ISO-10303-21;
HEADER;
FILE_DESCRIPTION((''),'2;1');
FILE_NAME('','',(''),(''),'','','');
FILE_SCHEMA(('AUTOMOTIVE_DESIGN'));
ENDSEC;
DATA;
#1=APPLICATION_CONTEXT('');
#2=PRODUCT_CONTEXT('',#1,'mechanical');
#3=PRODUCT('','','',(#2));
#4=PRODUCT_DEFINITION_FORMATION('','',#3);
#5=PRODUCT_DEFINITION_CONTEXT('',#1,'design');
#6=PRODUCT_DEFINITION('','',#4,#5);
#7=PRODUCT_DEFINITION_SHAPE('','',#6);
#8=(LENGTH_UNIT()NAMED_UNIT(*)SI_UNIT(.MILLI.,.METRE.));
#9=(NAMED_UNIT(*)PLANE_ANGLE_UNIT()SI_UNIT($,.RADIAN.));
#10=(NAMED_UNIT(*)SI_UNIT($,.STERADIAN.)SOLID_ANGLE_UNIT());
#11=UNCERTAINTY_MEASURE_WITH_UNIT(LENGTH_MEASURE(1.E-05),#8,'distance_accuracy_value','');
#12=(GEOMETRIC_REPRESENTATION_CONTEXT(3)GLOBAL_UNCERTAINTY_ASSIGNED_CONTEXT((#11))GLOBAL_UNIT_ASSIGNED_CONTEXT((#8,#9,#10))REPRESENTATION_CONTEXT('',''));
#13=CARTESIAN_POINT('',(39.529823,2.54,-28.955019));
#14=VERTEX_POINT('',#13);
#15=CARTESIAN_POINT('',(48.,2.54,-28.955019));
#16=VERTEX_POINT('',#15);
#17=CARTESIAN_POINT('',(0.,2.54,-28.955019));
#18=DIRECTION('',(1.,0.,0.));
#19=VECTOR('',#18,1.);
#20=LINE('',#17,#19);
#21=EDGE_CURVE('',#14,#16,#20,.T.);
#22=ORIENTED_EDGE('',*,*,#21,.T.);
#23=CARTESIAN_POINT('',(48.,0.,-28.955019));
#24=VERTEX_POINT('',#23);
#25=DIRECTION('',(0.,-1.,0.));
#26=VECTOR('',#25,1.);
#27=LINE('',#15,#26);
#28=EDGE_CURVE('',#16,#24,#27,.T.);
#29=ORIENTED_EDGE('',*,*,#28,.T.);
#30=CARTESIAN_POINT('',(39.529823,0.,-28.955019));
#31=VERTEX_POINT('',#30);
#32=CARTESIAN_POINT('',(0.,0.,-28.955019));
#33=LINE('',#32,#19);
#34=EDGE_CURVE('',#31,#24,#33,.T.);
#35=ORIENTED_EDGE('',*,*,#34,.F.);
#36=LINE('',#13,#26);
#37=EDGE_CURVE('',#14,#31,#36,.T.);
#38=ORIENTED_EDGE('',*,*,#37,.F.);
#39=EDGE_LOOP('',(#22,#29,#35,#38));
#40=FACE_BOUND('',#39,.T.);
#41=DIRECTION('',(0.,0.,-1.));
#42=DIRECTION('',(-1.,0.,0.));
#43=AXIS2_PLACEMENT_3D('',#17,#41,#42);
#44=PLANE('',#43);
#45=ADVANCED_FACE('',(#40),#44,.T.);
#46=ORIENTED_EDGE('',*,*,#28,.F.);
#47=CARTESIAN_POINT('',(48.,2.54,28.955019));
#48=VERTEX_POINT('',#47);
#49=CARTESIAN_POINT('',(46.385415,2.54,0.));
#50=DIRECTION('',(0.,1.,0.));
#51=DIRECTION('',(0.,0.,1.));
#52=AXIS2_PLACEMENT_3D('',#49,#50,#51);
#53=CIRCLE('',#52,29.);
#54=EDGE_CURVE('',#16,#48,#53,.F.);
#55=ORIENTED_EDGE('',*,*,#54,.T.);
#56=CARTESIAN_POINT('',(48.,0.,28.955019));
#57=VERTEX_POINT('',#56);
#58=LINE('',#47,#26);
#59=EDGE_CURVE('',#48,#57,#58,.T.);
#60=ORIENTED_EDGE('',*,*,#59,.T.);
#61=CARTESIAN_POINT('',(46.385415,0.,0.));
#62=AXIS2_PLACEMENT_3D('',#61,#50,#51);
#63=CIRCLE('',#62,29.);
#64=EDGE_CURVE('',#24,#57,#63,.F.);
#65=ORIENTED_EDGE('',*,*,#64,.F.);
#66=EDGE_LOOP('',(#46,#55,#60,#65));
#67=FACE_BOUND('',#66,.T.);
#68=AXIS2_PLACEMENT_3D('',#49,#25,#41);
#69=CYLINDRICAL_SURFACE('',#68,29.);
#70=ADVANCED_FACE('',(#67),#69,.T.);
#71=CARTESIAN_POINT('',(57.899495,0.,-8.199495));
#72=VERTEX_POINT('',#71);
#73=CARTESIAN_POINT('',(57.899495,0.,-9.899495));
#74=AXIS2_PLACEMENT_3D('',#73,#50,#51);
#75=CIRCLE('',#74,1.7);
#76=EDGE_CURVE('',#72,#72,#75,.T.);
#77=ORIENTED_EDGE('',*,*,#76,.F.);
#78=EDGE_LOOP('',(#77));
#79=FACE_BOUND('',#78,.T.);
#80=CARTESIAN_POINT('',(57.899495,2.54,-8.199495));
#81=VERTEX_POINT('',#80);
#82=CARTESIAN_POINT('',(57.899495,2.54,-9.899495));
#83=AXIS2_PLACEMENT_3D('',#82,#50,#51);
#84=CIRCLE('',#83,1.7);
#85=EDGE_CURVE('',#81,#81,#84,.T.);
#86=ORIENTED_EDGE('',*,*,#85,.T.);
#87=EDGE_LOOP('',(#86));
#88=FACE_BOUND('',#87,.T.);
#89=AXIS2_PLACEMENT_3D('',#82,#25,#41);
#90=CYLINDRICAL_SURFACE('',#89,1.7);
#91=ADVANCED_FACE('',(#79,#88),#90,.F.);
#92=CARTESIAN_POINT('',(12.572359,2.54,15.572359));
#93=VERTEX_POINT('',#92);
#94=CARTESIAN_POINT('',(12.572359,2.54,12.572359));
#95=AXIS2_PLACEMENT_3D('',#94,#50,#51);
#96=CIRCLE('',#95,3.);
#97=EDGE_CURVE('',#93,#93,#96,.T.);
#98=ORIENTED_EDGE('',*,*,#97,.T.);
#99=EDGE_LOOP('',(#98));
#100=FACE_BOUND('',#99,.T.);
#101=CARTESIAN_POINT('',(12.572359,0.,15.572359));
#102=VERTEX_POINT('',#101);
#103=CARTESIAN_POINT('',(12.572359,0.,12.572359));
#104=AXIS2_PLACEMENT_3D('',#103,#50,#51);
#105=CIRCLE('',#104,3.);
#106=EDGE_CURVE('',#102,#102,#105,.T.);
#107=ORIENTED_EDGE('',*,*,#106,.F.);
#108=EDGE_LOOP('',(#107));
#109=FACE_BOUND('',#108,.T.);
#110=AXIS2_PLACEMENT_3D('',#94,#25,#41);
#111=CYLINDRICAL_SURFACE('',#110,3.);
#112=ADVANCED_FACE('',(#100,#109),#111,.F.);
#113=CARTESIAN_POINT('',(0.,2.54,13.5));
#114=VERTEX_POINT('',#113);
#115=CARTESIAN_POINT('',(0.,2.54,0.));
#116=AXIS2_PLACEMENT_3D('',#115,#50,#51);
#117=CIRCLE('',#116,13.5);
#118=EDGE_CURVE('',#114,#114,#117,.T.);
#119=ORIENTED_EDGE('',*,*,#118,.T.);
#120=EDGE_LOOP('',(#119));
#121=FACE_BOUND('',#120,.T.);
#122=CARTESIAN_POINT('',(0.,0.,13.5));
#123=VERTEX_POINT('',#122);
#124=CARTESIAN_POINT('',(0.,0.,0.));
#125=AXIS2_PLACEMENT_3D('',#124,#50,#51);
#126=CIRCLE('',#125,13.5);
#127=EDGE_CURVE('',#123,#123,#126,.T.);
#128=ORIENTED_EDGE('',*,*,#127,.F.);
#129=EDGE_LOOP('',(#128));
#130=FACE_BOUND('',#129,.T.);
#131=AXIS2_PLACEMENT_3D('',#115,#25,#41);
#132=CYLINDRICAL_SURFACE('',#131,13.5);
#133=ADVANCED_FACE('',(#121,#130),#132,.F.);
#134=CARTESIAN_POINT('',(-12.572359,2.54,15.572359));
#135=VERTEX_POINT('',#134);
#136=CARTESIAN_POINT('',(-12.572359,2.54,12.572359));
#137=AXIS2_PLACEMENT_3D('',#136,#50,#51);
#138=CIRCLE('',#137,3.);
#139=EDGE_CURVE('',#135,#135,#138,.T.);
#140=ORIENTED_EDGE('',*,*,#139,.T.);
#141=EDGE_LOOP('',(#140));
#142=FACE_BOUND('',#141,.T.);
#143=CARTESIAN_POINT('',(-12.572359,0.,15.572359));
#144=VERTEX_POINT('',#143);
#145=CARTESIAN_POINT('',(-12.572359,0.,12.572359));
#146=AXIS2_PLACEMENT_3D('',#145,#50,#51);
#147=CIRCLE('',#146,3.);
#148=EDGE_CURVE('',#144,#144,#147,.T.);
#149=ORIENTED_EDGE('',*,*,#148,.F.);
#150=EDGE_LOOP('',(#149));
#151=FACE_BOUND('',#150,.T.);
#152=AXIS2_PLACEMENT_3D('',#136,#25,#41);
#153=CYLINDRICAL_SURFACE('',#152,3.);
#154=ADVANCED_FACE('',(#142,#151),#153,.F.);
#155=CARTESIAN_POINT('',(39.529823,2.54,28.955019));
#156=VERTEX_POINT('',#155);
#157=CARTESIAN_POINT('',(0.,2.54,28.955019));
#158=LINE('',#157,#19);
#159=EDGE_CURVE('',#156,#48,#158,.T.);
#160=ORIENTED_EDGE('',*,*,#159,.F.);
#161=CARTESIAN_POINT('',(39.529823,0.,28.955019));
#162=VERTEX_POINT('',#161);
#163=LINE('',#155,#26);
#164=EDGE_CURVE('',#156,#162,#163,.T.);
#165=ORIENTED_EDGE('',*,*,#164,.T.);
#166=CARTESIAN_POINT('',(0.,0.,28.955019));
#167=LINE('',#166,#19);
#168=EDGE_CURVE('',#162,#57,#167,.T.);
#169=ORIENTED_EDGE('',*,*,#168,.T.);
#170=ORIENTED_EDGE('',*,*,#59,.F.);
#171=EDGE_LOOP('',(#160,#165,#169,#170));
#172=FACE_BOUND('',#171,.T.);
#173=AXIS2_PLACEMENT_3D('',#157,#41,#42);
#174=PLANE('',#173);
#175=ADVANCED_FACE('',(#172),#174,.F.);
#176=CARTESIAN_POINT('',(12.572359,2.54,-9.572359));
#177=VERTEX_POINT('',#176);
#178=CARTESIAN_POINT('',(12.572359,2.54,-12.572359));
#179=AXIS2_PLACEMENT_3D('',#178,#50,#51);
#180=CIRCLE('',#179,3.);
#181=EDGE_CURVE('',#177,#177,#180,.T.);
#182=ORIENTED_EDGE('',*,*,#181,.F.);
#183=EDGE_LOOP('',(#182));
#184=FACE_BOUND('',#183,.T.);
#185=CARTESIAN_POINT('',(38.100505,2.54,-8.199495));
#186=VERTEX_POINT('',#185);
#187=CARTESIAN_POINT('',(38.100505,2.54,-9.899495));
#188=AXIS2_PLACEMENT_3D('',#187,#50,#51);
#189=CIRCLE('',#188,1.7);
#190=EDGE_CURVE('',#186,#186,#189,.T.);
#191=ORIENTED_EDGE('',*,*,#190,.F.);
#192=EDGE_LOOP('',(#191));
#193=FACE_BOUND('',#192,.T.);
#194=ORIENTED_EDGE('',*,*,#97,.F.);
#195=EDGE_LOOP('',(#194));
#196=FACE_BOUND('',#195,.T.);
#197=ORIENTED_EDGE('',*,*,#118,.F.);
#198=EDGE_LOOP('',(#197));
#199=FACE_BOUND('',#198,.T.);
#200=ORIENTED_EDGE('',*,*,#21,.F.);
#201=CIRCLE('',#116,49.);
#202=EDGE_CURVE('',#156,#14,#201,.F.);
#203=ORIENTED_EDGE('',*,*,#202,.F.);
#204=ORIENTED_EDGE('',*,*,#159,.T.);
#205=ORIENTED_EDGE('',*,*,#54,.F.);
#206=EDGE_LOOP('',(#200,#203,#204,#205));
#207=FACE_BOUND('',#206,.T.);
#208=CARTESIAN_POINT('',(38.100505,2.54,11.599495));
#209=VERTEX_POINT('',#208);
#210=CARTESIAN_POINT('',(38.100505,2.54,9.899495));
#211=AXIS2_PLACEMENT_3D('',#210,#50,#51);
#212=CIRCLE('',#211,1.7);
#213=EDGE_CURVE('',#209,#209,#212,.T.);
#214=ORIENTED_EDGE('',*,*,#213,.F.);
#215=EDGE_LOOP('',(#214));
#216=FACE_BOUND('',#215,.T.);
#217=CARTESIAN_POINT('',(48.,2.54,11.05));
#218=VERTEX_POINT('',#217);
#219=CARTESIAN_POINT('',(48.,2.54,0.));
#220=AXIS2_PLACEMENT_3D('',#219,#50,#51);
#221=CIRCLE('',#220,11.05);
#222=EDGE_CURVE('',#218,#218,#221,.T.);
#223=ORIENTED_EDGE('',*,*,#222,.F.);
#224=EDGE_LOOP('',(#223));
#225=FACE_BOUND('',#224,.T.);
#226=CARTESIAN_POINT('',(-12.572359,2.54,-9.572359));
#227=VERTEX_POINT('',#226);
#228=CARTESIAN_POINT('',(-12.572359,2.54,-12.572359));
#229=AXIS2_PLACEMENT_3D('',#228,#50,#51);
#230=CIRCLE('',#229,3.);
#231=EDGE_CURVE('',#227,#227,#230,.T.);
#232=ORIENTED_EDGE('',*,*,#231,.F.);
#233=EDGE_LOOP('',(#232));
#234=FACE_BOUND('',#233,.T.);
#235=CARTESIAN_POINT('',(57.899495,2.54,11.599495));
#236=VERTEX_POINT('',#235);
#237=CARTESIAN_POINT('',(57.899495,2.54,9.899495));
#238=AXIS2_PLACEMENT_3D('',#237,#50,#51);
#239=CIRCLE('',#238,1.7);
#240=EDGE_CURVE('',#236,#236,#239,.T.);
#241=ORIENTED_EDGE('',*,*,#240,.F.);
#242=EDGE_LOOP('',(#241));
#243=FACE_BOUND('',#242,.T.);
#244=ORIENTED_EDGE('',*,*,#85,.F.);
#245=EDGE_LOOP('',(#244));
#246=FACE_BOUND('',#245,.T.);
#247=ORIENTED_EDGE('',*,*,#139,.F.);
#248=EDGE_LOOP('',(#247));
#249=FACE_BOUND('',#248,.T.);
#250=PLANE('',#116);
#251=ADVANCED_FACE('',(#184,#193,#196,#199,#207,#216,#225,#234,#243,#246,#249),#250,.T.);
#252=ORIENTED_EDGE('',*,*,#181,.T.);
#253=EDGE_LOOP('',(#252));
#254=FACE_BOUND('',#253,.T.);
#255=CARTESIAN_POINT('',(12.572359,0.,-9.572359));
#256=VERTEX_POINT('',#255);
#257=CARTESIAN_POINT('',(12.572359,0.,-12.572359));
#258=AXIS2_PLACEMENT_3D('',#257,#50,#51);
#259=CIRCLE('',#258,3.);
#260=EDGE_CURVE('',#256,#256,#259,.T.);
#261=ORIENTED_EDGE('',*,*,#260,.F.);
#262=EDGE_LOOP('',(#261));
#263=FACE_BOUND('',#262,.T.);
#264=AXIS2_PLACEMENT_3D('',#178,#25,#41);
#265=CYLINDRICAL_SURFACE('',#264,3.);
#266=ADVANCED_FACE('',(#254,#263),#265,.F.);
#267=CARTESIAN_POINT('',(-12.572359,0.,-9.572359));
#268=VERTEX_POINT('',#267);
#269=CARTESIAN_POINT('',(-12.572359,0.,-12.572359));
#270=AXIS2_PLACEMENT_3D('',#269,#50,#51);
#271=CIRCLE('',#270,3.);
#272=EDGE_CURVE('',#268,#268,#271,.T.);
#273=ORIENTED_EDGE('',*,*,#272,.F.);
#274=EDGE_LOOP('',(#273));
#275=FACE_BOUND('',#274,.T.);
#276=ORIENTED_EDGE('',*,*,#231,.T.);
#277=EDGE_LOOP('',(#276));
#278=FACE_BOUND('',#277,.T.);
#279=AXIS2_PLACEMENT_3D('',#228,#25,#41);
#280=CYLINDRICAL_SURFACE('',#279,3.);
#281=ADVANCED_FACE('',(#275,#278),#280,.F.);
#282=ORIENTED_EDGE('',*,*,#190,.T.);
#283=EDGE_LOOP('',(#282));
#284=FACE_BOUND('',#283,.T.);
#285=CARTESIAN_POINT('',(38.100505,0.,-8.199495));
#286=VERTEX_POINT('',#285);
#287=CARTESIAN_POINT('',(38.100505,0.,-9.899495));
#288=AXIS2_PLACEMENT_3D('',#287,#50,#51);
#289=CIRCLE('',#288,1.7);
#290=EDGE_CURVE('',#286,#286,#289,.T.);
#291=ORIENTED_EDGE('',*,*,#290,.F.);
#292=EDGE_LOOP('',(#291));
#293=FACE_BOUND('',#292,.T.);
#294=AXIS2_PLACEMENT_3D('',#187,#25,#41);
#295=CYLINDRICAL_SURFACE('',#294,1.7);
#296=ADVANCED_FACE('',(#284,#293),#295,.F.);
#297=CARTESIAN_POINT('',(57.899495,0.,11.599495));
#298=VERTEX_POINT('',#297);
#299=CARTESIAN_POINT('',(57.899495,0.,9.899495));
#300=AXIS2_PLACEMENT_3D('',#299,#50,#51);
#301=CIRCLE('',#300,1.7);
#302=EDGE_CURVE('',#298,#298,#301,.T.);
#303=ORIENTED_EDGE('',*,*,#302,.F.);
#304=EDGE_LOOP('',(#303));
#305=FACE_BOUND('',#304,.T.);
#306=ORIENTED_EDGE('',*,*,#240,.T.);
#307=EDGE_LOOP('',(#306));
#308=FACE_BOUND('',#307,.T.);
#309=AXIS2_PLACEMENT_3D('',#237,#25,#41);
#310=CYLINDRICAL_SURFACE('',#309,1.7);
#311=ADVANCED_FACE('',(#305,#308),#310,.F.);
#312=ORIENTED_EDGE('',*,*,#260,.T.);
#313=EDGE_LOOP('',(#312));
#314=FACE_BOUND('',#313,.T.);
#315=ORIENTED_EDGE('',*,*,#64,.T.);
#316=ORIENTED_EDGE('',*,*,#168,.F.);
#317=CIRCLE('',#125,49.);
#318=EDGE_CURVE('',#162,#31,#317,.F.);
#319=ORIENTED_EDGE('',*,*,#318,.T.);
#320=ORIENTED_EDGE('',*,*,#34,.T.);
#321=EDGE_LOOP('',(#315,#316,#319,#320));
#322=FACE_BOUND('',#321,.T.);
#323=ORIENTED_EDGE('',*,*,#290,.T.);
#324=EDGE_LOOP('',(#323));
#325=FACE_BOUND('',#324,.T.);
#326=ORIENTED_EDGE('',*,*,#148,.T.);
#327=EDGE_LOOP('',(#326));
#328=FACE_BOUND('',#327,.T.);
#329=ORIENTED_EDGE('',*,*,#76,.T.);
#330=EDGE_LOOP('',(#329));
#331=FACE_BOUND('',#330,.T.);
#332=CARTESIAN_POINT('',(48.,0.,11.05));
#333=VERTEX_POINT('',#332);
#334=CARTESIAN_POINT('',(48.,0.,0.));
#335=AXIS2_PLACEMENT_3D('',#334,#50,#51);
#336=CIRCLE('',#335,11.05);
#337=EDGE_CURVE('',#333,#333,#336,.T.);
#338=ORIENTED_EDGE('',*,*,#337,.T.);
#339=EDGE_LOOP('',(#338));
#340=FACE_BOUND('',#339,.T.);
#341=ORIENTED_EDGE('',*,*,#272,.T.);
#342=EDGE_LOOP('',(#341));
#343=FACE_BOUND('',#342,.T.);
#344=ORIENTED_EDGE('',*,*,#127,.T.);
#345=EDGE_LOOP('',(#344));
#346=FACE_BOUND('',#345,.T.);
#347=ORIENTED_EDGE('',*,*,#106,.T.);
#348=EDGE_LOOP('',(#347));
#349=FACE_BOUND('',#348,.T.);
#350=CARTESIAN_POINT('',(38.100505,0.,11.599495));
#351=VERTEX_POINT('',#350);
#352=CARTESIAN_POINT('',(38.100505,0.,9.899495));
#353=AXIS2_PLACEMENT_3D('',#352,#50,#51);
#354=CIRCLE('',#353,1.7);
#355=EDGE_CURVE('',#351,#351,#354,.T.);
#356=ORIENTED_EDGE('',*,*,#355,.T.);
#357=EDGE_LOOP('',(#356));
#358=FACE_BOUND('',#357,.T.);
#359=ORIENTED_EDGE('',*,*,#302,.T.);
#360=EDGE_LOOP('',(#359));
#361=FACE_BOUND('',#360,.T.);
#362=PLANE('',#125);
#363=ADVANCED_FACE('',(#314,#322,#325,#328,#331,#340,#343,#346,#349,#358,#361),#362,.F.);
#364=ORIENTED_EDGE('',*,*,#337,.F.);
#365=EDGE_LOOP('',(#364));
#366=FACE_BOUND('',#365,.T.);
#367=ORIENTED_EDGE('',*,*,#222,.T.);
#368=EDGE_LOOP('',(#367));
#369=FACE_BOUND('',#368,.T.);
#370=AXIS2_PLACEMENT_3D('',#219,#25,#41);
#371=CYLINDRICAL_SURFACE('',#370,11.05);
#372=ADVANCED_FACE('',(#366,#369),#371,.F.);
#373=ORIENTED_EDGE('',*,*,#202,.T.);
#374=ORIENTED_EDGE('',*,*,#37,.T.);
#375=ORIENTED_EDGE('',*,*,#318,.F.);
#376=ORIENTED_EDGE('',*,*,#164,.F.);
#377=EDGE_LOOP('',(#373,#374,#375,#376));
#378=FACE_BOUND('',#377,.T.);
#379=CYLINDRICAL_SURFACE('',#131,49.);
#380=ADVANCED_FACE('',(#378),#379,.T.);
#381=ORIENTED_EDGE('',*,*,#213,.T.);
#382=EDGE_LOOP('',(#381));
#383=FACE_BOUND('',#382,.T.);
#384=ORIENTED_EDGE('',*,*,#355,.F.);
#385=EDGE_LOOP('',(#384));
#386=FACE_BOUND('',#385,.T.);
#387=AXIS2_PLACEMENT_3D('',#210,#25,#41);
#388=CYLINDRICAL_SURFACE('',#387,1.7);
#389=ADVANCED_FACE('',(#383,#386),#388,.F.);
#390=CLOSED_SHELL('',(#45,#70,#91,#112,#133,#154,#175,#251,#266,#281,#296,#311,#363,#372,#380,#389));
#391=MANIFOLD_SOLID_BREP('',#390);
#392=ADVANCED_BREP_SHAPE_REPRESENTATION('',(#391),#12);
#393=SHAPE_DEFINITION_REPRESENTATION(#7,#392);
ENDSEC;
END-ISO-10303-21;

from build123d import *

# Parameters (mm, degrees)
SKETCH1_R           = 1.7
SKETCH1_R_2         = 13.5
SKETCH1_R_3         = 3
SKETCH1_R_4         = 11.05
BOSS_EXTRUDE1_DEPTH = 2.54


with BuildPart() as part:
    # Sketch1 → Boss-Extrude1 (new body)
    with BuildSketch(Plane(origin=(0, 0, 0), x_dir=(1, 0, 0), z_dir=(0, 1, 0))):
        with BuildLine():
            ThreePointArc((0, 49), (22.160822156, 43.702379356), (39.529822722, 28.955018831))
            Line((39.529822722, 28.955018831), (48, 28.955018831))
            ThreePointArc((48, 28.955018831), (75.385415079, 0), (48, -28.955018831))
            Line((48, -28.955018831), (39.529822722, -28.955018831))
            ThreePointArc((39.529822722, -28.955018831), (22.160822156, -43.702379356), (0, -49))
            ThreePointArc((0, -49), (-49, 0), (0, 49))
        make_face()
        with Locations(Location((38.100505063, -9.899494937, 0), (0, 0, 270))):
            Circle(SKETCH1_R, mode=Mode.SUBTRACT)
        with Locations(Location((57.899494937, -9.899494937, 0), (0, 0, 270))):
            Circle(SKETCH1_R, mode=Mode.SUBTRACT)
        with Locations(Location((57.899494937, 9.899494937, 0), (0, 0, 270))):
            Circle(SKETCH1_R, mode=Mode.SUBTRACT)
        with Locations(Location((38.100505063, 9.899494937, 0), (0, 0, 270))):
            Circle(SKETCH1_R, mode=Mode.SUBTRACT)
        with Locations(Location((0, 0, 0), (0, 0, 270))):
            Circle(SKETCH1_R_2, mode=Mode.SUBTRACT)
        with Locations(Location((-12.572358569, -12.572358569, 0), (0, 0, 270))):
            Circle(SKETCH1_R_3, mode=Mode.SUBTRACT)
        with Locations(Location((12.572358569, -12.572358569, 0), (0, 0, 270))):
            Circle(SKETCH1_R_3, mode=Mode.SUBTRACT)
        with Locations(Location((12.572358569, 12.572358569, 0), (0, 0, 270))):
            Circle(SKETCH1_R_3, mode=Mode.SUBTRACT)
        with Locations(Location((-12.572358569, 12.572358569, 0), (0, 0, 270))):
            Circle(SKETCH1_R_3, mode=Mode.SUBTRACT)
        with Locations(Location((48, 0, 0), (0, 0, 270))):
            Circle(SKETCH1_R_4, mode=Mode.SUBTRACT)
    extrude(amount=BOSS_EXTRUDE1_DEPTH)


solid = part.part
